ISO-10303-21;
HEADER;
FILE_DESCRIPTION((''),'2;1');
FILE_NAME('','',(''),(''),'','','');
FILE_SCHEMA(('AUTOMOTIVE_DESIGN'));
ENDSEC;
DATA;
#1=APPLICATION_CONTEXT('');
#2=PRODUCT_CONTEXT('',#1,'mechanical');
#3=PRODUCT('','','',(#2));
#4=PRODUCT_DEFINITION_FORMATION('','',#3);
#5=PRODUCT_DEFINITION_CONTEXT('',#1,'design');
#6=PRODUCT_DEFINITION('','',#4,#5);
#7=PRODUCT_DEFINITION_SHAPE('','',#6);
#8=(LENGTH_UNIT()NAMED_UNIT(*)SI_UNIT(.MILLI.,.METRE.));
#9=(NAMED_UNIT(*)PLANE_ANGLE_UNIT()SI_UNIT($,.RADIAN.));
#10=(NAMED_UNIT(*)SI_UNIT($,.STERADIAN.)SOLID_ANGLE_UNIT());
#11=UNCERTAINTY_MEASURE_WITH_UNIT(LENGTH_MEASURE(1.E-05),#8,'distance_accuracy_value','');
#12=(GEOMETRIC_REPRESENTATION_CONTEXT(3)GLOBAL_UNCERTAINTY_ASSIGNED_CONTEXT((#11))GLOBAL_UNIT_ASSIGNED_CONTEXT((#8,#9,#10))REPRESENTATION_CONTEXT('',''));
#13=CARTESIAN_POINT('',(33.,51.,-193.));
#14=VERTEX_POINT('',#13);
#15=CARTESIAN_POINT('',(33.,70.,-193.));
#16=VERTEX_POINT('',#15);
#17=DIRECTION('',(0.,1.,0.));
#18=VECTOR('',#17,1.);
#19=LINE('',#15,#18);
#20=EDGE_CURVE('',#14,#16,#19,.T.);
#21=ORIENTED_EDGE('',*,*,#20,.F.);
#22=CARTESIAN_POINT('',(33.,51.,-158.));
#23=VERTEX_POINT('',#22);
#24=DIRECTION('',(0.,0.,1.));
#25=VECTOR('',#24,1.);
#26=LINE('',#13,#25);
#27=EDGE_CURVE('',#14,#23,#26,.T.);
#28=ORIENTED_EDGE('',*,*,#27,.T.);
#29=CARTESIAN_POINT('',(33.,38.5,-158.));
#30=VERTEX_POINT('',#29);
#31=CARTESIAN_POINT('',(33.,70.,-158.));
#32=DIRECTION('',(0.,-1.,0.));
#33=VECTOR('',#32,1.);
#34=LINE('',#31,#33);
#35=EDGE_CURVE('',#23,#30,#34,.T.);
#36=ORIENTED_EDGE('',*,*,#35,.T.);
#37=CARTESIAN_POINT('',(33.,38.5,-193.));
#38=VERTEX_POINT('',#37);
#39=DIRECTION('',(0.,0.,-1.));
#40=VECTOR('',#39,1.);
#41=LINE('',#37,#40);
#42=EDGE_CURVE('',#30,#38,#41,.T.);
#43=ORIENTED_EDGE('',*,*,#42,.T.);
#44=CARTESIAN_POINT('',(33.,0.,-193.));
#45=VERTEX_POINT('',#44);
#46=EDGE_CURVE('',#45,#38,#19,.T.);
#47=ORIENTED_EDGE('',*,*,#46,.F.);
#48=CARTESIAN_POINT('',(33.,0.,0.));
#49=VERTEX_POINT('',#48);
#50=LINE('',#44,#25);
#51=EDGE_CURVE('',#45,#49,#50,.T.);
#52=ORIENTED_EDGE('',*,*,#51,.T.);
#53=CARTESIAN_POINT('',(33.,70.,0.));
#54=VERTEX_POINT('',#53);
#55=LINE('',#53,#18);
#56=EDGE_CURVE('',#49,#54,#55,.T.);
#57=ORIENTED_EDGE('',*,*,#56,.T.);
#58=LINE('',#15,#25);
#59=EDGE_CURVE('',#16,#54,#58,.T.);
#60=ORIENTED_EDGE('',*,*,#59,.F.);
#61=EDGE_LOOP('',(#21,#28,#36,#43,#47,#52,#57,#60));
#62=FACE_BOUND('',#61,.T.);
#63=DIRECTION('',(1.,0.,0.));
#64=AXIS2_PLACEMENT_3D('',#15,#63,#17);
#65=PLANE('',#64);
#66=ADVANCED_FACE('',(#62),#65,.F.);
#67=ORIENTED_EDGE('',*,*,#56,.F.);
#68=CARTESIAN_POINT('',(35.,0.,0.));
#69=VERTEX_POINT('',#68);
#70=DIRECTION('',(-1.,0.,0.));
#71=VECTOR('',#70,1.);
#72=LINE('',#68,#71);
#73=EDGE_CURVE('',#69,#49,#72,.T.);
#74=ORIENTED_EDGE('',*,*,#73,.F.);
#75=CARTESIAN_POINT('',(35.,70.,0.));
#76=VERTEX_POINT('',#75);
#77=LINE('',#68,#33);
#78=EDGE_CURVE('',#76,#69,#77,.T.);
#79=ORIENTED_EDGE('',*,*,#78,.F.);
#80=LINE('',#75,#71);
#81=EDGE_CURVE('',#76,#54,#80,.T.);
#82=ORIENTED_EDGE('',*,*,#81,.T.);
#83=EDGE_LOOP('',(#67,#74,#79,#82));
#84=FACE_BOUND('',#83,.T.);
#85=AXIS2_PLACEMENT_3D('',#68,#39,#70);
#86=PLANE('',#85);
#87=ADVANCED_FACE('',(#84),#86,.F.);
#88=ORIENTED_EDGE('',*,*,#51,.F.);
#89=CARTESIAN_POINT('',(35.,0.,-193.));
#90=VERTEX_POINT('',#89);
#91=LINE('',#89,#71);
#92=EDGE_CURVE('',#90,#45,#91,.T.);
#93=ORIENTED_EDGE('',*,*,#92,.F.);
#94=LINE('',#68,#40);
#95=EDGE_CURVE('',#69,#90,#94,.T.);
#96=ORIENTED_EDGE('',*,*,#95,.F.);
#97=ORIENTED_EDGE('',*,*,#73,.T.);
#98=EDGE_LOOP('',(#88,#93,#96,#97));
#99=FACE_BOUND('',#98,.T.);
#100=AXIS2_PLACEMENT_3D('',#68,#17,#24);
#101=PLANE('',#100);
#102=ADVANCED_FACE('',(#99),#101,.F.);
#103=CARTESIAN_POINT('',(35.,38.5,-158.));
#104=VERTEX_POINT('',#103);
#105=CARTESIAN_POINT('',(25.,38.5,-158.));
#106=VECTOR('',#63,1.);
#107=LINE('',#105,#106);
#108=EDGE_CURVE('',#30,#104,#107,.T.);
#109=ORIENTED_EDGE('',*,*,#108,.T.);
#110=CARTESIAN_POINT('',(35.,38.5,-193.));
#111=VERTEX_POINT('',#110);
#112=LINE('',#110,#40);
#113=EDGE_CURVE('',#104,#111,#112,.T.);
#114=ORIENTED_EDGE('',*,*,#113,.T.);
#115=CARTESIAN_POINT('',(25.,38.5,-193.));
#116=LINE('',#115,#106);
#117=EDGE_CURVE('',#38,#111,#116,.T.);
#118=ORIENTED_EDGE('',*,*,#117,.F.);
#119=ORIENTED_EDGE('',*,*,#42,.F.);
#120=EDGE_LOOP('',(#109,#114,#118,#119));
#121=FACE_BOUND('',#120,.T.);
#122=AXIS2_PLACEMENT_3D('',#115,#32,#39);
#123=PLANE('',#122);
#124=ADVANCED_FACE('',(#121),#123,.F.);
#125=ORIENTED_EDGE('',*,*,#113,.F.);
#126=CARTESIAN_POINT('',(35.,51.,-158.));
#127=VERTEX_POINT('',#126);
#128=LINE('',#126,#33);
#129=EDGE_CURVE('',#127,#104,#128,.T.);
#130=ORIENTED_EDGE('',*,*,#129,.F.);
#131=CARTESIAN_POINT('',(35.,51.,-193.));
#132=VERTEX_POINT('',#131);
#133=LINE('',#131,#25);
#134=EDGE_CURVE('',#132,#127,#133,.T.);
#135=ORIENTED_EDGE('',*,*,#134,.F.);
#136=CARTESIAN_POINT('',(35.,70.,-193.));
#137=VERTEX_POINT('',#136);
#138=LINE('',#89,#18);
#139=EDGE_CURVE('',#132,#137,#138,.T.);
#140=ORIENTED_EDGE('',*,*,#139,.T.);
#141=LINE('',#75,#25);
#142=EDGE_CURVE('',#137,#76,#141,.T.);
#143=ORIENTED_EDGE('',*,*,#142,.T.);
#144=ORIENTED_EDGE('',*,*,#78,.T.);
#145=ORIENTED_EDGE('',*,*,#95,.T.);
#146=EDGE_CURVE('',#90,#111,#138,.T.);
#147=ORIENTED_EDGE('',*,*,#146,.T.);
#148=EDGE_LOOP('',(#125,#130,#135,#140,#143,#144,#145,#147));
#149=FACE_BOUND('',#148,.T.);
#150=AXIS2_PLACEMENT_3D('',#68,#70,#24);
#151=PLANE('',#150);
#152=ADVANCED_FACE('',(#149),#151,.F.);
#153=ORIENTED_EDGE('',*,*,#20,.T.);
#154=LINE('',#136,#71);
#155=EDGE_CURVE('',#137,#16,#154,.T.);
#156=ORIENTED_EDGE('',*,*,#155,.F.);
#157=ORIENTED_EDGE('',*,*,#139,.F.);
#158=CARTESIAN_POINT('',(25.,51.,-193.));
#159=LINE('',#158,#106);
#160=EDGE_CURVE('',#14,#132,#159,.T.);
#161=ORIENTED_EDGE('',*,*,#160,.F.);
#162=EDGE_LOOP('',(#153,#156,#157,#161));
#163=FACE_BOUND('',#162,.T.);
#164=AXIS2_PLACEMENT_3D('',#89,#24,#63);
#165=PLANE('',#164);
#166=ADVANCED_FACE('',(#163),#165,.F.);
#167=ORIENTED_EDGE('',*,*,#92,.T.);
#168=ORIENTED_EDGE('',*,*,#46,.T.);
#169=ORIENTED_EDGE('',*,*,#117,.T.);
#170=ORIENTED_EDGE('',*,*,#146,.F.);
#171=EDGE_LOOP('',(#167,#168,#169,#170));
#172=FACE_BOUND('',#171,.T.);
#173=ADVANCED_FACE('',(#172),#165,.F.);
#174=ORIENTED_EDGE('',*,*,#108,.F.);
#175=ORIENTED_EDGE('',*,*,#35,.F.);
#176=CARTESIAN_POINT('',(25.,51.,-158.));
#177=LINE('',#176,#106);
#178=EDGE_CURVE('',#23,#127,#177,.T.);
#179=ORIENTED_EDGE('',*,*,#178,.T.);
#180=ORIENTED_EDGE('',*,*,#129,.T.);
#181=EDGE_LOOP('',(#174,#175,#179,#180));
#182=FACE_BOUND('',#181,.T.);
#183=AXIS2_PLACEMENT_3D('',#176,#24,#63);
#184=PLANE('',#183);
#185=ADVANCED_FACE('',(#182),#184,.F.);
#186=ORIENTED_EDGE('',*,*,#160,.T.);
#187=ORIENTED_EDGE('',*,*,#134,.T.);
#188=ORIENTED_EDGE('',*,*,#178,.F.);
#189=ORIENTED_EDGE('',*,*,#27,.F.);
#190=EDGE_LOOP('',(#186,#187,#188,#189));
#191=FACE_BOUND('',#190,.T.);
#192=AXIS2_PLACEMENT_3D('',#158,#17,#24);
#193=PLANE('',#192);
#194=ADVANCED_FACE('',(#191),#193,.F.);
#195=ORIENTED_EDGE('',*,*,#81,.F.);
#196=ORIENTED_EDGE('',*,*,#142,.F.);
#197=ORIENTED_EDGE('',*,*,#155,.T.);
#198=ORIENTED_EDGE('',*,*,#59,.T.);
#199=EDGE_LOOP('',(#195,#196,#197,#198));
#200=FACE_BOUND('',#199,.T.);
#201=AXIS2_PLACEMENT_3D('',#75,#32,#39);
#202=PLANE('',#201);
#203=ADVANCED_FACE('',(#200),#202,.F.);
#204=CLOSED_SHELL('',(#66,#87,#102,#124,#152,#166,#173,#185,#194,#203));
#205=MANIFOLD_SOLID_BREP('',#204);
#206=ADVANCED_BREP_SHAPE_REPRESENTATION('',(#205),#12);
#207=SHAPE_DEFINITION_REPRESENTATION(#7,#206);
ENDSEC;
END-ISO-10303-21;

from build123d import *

# Parameters (mm, degrees)
SKETCH1_W           = 193
SKETCH1_H           = 70
BOSS_EXTRUDE1_DEPTH = 35
SKETCH2_W           = 33
SKETCH2_H           = 70
CUT_EXTRUDE1_DEPTH  = 194
SKETCH3_W           = 35
SKETCH3_H           = 12.5
CUT_EXTRUDE2_DEPTH  = 10


with BuildPart() as part:
    # Sketch1 → Boss-Extrude1 (new body)
    with BuildSketch(Plane(origin=(0, 0, 0), x_dir=(0, 0, -1), z_dir=(1, 0, 0))):
        with Locations((96.5, 35)):
            Rectangle(SKETCH1_W, SKETCH1_H)
    extrude(amount=BOSS_EXTRUDE1_DEPTH)

    # Sketch2 → Cut-Extrude1 (cut, through all)
    with BuildSketch(Plane.XY):
        with Locations((16.5, 35)):
            Rectangle(SKETCH2_W, SKETCH2_H)
    extrude(amount=-CUT_EXTRUDE1_DEPTH, mode=Mode.SUBTRACT)

    # Sketch3 → Cut-Extrude2 (cut)
    with BuildSketch(Plane(origin=(35, 0, 0), x_dir=(0, 0, -1), z_dir=(1, 0, 0))):
        with Locations((175.5, 44.75)):
            Rectangle(SKETCH3_W, SKETCH3_H)
    extrude(amount=-CUT_EXTRUDE2_DEPTH, mode=Mode.SUBTRACT)


solid = part.part
